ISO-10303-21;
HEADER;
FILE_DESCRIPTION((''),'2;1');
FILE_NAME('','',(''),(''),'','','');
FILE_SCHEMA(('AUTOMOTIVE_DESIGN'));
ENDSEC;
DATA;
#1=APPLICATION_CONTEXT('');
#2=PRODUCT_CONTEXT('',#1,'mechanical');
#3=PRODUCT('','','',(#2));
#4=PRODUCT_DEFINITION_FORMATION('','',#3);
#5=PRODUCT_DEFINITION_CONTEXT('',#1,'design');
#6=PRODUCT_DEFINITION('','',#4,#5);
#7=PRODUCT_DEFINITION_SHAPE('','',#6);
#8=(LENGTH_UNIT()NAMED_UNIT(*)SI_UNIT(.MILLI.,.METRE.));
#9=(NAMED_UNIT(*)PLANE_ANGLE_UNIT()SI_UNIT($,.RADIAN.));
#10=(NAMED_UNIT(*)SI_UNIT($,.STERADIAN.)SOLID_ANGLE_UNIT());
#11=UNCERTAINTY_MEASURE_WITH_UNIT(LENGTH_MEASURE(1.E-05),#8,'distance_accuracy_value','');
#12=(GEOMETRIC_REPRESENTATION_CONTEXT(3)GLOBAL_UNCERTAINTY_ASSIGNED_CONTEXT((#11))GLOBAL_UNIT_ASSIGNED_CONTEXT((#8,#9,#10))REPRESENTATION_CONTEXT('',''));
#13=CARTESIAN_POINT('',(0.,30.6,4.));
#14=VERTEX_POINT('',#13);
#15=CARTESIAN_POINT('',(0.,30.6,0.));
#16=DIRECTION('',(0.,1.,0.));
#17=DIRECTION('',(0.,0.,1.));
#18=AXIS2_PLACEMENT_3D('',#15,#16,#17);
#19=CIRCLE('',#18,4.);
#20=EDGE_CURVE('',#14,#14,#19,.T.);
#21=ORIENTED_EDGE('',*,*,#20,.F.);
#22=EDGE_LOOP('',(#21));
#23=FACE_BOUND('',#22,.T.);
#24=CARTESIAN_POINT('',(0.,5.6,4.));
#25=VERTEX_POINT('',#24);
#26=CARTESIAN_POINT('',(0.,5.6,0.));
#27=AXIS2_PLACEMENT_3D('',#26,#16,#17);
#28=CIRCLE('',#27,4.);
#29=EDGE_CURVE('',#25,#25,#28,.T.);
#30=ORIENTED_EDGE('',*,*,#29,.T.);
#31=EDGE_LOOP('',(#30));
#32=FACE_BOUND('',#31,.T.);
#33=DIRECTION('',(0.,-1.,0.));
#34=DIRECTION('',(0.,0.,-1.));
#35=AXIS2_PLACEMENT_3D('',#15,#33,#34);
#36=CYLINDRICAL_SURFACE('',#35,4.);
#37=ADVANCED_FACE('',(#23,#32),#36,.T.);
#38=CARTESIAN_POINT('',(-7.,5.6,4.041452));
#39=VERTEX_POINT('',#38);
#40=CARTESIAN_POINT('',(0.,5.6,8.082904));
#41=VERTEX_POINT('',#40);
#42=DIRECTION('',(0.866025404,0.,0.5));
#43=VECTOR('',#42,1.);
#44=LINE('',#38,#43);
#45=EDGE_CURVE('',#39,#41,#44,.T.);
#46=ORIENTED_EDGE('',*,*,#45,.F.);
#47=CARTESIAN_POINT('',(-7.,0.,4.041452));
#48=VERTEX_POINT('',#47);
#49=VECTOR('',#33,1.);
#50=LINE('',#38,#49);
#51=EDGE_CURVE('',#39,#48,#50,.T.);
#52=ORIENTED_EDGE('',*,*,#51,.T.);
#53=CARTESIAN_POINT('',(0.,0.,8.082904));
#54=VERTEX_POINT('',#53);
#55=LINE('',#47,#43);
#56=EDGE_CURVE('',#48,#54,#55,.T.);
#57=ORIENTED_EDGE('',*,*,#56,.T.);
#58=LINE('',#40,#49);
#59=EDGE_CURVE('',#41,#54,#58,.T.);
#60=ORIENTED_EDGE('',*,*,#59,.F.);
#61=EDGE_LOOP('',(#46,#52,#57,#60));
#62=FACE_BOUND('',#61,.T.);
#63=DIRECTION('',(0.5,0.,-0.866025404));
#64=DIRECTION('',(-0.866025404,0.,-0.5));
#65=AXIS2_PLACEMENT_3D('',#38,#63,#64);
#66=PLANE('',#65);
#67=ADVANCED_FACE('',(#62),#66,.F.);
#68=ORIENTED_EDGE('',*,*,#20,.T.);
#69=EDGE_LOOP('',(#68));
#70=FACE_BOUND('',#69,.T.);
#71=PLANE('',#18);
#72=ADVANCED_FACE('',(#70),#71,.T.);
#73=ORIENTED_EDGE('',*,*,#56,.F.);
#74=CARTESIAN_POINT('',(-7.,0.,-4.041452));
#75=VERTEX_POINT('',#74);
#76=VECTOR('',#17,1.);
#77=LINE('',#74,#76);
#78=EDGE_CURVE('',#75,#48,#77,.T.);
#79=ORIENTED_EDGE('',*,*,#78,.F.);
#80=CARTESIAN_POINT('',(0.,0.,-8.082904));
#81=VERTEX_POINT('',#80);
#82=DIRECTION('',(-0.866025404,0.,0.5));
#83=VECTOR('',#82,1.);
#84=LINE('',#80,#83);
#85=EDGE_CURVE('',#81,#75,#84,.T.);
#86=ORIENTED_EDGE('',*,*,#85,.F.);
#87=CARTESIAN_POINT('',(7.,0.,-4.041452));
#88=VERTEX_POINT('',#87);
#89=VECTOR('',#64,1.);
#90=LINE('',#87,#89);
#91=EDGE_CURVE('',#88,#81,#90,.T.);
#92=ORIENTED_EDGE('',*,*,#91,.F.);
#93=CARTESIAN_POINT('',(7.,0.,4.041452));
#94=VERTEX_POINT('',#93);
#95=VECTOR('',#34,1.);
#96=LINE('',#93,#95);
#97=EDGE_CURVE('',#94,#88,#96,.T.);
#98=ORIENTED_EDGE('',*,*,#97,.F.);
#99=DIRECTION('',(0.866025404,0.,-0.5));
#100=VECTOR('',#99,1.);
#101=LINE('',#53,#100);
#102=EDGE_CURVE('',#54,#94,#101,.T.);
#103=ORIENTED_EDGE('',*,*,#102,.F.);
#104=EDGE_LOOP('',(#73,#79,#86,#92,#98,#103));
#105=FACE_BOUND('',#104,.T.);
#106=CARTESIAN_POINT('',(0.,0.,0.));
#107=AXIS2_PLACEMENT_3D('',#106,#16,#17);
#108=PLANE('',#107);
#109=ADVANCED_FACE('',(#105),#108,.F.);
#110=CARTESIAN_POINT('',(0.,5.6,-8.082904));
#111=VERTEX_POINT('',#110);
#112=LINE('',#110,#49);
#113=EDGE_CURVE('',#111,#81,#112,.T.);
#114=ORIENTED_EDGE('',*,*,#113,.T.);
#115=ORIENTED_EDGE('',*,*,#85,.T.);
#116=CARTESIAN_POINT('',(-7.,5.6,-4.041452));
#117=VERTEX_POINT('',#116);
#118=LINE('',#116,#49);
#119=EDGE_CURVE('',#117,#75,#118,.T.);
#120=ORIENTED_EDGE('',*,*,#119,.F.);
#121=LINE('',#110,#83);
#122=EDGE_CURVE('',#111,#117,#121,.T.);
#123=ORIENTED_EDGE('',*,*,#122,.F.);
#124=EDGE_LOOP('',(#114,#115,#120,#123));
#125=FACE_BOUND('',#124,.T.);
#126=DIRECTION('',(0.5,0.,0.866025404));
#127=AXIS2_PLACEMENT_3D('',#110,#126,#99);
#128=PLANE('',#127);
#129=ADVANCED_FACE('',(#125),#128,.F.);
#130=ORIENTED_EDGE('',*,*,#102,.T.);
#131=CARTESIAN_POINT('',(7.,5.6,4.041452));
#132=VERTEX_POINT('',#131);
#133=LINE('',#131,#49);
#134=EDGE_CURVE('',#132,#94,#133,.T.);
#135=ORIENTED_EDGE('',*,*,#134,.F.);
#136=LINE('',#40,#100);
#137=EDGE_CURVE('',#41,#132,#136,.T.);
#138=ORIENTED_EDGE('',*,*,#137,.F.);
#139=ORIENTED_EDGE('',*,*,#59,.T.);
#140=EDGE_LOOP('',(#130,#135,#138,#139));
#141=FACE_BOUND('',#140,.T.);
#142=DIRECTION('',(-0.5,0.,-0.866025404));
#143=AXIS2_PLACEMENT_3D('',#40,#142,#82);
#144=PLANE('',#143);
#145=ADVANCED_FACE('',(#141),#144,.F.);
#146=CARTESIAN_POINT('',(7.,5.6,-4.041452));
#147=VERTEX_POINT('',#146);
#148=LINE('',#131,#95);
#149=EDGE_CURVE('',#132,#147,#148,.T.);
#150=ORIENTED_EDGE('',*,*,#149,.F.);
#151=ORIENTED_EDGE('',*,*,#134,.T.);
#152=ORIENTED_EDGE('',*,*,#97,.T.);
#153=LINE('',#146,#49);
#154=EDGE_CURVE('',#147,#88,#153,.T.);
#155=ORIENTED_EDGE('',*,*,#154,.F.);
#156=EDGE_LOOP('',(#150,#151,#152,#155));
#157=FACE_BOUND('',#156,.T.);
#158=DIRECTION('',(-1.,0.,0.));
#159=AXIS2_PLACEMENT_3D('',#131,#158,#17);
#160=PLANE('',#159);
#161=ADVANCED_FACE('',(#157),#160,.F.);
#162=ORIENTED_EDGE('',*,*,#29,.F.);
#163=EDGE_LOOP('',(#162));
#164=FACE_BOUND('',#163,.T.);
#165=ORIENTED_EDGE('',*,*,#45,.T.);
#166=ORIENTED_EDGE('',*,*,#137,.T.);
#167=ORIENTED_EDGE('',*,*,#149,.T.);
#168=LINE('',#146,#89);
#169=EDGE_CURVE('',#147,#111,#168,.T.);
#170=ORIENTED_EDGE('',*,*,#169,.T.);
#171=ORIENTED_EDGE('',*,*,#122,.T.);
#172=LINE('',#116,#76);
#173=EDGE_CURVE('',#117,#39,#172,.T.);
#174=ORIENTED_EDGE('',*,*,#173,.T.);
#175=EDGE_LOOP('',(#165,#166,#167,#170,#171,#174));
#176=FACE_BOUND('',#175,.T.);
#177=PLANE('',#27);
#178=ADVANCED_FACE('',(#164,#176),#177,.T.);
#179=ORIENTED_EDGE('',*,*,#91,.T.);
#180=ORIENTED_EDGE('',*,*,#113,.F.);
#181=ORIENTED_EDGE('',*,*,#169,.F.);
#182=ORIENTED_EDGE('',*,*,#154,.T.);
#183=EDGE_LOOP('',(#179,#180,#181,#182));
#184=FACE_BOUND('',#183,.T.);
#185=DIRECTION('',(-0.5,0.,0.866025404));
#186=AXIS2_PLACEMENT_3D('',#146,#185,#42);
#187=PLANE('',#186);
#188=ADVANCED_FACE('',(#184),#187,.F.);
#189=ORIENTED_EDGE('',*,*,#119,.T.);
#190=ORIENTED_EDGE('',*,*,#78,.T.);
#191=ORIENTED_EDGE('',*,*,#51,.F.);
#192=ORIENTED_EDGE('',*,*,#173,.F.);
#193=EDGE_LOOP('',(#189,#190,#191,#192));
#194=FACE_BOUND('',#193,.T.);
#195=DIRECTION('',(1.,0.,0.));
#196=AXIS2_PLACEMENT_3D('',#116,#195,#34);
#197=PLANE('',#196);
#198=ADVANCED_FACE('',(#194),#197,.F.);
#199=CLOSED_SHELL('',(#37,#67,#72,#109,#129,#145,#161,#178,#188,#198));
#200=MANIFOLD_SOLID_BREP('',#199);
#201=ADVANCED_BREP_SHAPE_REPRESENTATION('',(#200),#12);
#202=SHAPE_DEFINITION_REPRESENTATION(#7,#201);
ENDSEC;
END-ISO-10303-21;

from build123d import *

# Parameters (mm, degrees)
BOSS_EXTRUDE1_DEPTH = 5.6
SKETCH2_R           = 4
BOSS_EXTRUDE2_DEPTH = 25


with BuildPart() as part:
    # Sketch1 → Boss-Extrude1 (new body)
    with BuildSketch(Plane(origin=(0, 0, 0), x_dir=(1, 0, 0), z_dir=(0, 1, 0))):
        Polygon((0, 8.082903769), (-7, 4.041451884), (-7, -4.041451884), (0, -8.082903769), (7, -4.041451884), (7, 4.041451884), align=None)
    extrude(amount=BOSS_EXTRUDE1_DEPTH)

    # Sketch2 → Boss-Extrude2 (add)
    with BuildSketch(Plane(origin=(0, 5.6, 0), x_dir=(1, 0, 0), z_dir=(0, 1, 0))):
        with Locations(Location((0, 0, 0), (0, 0, 270))):  # turned: the seam where the file's is
            Circle(SKETCH2_R)
    extrude(amount=BOSS_EXTRUDE2_DEPTH)


solid = part.part
